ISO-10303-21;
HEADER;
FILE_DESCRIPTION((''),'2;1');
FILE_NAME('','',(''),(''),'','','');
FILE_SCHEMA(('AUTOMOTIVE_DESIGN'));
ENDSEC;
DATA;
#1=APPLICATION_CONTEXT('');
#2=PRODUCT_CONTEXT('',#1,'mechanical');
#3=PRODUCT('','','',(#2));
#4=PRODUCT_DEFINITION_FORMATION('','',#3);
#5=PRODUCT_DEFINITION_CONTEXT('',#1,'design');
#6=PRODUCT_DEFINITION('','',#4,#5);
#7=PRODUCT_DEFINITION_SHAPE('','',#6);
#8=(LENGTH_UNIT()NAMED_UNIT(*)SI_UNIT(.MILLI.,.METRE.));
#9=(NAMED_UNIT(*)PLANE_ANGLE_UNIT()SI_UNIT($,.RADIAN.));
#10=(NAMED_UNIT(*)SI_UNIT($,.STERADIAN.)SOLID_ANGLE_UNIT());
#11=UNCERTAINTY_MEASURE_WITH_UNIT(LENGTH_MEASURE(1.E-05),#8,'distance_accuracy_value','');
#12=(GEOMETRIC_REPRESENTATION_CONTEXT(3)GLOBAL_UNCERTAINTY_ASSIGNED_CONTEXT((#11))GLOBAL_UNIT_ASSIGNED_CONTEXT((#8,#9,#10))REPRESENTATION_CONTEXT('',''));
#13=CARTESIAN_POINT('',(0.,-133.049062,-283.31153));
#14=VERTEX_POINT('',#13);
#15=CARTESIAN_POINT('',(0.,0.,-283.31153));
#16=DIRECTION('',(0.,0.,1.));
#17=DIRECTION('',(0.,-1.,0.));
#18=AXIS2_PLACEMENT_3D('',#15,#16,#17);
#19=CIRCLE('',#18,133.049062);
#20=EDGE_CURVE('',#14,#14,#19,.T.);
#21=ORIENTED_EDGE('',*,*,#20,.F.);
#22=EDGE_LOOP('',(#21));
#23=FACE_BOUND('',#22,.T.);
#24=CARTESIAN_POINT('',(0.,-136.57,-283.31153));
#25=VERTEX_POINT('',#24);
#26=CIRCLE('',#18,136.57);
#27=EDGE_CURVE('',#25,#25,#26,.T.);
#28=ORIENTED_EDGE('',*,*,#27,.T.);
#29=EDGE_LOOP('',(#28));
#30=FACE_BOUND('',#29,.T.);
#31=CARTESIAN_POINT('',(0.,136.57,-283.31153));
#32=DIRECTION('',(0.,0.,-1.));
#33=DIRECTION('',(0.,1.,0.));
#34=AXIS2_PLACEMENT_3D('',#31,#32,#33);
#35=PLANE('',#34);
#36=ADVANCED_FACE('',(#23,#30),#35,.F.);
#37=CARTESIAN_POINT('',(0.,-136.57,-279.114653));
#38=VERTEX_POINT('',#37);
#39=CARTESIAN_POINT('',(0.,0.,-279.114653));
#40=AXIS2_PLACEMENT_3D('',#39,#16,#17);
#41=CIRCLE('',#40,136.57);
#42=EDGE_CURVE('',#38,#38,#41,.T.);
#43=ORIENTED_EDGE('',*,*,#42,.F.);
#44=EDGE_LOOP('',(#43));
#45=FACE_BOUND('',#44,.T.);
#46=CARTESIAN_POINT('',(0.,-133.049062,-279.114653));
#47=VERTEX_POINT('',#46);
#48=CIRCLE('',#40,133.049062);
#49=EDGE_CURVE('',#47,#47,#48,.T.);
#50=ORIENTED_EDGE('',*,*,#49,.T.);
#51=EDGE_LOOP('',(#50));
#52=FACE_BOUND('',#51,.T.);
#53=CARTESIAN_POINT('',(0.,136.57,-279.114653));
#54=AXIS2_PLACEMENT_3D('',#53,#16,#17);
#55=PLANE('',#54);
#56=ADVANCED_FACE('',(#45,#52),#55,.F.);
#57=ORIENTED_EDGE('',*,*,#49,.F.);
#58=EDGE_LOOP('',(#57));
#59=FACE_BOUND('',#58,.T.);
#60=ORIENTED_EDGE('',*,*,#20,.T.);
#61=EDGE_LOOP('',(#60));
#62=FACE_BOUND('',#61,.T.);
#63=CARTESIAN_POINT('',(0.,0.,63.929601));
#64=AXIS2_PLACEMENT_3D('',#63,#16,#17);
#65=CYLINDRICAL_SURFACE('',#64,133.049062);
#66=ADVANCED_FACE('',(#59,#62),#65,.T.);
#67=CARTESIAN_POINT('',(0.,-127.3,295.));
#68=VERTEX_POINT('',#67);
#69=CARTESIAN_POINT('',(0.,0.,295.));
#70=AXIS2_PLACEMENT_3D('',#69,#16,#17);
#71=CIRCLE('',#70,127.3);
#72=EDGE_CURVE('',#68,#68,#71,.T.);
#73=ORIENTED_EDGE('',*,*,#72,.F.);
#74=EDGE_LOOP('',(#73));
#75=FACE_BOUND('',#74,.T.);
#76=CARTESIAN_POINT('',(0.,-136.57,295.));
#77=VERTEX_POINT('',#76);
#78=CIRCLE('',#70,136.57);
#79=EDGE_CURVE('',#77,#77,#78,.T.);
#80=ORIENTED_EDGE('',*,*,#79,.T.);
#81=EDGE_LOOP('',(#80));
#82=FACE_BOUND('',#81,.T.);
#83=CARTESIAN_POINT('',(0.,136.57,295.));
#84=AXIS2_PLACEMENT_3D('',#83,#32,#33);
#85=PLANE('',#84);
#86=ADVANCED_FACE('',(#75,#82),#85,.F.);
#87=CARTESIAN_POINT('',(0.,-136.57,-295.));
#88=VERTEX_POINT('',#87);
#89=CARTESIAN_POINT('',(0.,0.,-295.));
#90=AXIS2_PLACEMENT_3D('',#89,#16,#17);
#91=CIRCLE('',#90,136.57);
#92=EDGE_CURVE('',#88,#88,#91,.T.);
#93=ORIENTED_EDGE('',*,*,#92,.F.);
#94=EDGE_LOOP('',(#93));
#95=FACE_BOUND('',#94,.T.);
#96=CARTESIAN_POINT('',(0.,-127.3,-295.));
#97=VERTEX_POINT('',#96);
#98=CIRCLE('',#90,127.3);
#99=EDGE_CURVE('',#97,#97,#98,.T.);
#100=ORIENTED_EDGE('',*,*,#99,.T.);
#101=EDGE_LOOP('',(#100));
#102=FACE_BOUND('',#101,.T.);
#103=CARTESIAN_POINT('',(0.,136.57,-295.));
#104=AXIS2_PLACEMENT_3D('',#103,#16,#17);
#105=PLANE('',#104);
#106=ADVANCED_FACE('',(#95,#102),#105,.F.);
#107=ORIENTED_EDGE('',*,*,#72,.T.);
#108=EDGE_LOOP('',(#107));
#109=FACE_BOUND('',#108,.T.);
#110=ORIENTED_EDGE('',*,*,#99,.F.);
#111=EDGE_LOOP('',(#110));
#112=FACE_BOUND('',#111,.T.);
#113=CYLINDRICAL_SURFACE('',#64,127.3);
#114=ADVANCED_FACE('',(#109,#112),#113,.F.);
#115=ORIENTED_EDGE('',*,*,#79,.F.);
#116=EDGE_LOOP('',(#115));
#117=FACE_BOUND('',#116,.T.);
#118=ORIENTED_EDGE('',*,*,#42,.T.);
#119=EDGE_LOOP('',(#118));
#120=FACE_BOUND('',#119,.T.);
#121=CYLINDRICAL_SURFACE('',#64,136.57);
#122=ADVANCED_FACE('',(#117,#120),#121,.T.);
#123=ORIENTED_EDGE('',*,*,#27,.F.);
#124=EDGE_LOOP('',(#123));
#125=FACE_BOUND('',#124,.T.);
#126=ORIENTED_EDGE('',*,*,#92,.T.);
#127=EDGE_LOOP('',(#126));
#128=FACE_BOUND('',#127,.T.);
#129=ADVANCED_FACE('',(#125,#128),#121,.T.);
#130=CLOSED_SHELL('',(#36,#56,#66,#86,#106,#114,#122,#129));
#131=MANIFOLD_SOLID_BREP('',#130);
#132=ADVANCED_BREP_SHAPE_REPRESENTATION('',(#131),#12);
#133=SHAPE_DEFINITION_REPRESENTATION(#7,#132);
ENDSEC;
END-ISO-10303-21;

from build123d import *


with BuildPart() as part:
    # Sketch1 → Revolve2 (revolve)
    with BuildSketch(Plane(origin=(0, 0, 0), x_dir=(0, 0, -1), z_dir=(1, 0, 0))):
        Polygon((283.311529954, 136.57), (295, 136.57), (295, 127.3), (-295, 127.3), (-295, 136.57), (279.114653082, 136.57), (279.114653082, 133.049061503), (283.311529954, 133.049061503), align=None)
    revolve(axis=Axis((0, 0, 63.929601425), (0, 0, -1)))


solid = part.part
